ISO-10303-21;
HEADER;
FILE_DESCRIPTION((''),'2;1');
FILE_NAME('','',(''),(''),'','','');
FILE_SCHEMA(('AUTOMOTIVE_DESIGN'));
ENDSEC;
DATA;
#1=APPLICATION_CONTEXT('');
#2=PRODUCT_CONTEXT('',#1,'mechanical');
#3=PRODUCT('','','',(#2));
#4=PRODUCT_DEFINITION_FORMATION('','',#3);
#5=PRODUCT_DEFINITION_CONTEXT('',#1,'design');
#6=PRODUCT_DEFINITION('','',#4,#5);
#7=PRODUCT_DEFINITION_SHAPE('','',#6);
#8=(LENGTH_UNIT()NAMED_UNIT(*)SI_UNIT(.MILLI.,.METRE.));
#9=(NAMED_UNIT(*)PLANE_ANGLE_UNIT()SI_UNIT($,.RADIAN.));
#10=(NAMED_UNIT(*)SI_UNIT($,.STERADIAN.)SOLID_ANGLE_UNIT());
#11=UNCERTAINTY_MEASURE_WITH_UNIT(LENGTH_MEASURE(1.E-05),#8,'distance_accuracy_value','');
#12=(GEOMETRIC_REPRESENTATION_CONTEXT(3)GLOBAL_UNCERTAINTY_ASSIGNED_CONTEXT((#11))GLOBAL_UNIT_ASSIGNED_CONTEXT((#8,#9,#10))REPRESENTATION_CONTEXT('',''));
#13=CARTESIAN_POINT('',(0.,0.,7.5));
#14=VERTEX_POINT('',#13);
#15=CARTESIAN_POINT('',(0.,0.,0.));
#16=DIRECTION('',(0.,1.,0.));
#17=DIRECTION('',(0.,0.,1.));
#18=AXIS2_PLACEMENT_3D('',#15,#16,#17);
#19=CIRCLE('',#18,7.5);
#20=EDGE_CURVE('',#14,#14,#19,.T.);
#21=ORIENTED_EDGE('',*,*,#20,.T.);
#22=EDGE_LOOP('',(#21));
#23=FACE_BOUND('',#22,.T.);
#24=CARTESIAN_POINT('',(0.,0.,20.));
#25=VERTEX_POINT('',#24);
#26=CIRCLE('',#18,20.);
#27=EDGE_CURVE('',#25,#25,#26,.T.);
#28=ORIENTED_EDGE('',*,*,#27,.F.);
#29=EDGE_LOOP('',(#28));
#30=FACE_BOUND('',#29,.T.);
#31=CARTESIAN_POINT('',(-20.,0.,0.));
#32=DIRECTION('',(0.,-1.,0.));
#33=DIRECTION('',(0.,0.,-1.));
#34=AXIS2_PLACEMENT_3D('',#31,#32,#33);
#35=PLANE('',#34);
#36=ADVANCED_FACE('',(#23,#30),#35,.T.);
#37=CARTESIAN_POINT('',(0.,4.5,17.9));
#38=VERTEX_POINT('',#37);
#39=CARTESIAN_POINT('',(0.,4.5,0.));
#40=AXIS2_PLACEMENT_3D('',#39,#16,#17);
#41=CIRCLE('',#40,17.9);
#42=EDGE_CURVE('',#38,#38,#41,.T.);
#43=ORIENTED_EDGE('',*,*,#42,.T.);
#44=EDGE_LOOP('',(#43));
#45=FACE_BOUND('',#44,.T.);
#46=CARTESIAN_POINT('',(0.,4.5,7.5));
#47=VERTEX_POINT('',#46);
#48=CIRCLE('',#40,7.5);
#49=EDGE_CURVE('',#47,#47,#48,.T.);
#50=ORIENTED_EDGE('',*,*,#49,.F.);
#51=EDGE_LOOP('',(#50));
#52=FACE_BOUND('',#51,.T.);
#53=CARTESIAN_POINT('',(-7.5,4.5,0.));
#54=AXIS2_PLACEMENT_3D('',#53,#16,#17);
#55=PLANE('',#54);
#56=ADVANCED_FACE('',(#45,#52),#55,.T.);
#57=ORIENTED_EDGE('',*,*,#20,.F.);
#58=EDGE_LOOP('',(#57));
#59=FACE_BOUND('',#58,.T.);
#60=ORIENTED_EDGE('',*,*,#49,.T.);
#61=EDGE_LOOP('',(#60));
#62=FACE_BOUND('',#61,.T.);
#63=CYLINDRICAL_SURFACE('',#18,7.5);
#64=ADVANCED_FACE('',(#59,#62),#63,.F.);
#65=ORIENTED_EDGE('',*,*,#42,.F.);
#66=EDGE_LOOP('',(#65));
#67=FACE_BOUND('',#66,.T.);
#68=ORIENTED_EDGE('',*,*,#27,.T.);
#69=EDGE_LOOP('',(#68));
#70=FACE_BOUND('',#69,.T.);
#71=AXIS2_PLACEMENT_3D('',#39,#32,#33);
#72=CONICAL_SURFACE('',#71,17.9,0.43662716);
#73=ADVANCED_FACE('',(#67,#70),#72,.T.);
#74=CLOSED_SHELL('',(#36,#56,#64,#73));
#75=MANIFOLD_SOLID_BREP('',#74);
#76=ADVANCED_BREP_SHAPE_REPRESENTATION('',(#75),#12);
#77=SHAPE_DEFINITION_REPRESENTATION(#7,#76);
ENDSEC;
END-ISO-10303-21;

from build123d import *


with BuildPart() as part:
    # Sketch1 → Revolve1 (revolve)
    with BuildSketch(Plane.XY, mode=Mode.PRIVATE) as revolve1_sk:
        Polygon((-7.5, 0), (-7.5, 4.5), (-17.9, 4.5), (-20, 0), align=None)
    revolve(revolve1_sk.sketch.rotate(Axis((0, 0, 0), (0, -1, 0)), 270), axis=Axis((0, 0, 0), (0, -1, 0)))


solid = part.part
